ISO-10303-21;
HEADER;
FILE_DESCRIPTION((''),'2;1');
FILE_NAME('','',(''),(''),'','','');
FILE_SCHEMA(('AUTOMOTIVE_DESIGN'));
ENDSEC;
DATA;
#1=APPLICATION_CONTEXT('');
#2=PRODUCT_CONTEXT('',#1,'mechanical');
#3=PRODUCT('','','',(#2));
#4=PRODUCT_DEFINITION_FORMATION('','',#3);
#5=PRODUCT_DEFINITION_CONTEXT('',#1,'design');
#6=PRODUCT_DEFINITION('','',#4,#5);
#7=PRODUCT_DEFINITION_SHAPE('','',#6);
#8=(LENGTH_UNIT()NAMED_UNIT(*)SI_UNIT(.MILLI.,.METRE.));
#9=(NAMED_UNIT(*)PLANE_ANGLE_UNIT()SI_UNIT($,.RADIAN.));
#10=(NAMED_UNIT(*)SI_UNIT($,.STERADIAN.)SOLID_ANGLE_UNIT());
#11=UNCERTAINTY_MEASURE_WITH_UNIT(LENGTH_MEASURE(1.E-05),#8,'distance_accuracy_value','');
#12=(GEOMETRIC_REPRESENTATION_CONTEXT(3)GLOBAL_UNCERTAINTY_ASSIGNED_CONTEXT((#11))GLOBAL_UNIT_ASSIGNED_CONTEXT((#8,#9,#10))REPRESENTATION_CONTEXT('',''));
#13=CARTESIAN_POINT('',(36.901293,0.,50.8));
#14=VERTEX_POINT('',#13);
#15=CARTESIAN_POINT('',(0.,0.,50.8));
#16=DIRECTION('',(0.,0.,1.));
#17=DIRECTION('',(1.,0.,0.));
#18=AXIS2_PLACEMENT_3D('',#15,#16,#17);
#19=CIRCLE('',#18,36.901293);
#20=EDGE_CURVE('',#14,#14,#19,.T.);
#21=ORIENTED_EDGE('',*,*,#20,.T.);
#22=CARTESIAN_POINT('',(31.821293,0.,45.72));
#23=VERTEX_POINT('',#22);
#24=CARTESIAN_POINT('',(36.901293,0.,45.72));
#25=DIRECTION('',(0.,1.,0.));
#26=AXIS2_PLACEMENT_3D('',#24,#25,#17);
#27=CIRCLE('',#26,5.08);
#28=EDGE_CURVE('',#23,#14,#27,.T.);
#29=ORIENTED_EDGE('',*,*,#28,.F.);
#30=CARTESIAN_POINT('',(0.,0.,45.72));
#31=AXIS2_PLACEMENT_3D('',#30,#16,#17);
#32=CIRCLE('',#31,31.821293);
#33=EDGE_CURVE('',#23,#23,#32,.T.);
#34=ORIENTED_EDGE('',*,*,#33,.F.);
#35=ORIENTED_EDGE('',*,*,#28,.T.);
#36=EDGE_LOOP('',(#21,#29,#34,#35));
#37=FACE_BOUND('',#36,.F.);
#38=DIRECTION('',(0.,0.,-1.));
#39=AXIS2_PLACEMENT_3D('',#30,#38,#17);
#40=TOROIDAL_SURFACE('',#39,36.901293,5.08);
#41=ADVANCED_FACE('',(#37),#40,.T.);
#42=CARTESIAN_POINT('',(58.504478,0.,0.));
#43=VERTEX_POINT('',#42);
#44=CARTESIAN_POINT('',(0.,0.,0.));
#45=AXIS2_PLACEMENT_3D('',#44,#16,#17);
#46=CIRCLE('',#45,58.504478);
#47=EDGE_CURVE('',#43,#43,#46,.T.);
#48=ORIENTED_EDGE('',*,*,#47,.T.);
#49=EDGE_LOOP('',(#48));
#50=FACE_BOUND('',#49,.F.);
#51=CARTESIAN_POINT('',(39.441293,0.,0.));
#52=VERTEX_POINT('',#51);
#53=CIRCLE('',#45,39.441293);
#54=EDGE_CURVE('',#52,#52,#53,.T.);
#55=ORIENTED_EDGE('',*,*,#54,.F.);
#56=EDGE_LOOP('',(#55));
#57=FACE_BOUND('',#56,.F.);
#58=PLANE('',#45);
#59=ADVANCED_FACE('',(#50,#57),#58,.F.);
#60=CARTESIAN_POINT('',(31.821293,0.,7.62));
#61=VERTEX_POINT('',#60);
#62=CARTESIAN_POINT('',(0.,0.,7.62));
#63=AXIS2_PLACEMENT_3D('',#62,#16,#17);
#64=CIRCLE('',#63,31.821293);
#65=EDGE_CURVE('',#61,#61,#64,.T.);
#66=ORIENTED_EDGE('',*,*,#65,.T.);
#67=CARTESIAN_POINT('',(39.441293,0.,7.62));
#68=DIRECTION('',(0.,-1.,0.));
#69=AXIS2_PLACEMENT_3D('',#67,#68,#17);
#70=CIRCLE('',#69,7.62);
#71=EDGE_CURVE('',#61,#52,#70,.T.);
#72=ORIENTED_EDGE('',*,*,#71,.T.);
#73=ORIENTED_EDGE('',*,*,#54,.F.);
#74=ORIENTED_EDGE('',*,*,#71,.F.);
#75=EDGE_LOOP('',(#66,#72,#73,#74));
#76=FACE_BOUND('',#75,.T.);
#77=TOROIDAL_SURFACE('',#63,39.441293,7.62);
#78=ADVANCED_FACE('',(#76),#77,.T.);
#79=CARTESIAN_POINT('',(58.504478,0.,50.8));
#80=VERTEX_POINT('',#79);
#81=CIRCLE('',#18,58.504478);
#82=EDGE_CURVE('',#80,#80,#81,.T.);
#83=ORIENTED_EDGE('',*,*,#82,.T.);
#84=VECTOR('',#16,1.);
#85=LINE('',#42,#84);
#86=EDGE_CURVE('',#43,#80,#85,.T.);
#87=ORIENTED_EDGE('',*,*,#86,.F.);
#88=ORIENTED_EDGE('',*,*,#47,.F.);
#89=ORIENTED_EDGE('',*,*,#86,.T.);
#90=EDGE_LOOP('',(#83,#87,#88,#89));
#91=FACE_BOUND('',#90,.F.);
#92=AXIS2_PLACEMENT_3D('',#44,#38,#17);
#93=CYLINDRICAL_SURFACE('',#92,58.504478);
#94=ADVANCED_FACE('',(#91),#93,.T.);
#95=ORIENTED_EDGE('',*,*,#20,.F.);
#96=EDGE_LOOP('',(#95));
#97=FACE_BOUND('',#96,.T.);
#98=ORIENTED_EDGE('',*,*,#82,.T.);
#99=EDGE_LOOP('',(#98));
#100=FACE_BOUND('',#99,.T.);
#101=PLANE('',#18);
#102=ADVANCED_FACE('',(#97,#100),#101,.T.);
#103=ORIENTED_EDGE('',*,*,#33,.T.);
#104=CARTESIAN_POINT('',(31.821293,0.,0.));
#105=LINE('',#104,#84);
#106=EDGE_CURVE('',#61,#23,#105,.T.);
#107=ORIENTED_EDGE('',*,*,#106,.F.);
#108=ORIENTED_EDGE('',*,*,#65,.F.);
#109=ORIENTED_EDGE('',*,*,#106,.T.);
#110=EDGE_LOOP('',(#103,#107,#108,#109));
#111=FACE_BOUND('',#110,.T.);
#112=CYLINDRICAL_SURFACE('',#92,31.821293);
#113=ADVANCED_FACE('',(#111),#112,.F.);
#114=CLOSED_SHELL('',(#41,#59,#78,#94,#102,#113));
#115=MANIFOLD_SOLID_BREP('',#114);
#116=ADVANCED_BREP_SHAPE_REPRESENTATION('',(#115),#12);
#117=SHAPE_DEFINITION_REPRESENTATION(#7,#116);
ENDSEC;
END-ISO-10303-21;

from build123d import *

# Parameters (mm, degrees)
F0_R     = 58.504478
F0_R_2   = 31.821293
F1_DEPTH = 50.8
F2_R     = 5.08
F3_R     = 7.62


with BuildPart() as f1:
    # F0 (on Top) → F1 (new body)
    with BuildSketch(Plane.XY):
        Circle(F0_R)
        Circle(F0_R_2, mode=Mode.SUBTRACT)
    extrude(amount=F1_DEPTH)

    # F2
    f2_edges = [f1.edges().sort_by_distance(p)[0] for p in [
        (-31.821293, 0, 50.8),
    ]]
    fillet(f2_edges, radius=F2_R)

    # F3
    f3_edges = [f1.edges().sort_by_distance(p)[0] for p in [
        (-31.821293, 0, 0),
    ]]
    fillet(f3_edges, radius=F3_R)


solid = f1.part
